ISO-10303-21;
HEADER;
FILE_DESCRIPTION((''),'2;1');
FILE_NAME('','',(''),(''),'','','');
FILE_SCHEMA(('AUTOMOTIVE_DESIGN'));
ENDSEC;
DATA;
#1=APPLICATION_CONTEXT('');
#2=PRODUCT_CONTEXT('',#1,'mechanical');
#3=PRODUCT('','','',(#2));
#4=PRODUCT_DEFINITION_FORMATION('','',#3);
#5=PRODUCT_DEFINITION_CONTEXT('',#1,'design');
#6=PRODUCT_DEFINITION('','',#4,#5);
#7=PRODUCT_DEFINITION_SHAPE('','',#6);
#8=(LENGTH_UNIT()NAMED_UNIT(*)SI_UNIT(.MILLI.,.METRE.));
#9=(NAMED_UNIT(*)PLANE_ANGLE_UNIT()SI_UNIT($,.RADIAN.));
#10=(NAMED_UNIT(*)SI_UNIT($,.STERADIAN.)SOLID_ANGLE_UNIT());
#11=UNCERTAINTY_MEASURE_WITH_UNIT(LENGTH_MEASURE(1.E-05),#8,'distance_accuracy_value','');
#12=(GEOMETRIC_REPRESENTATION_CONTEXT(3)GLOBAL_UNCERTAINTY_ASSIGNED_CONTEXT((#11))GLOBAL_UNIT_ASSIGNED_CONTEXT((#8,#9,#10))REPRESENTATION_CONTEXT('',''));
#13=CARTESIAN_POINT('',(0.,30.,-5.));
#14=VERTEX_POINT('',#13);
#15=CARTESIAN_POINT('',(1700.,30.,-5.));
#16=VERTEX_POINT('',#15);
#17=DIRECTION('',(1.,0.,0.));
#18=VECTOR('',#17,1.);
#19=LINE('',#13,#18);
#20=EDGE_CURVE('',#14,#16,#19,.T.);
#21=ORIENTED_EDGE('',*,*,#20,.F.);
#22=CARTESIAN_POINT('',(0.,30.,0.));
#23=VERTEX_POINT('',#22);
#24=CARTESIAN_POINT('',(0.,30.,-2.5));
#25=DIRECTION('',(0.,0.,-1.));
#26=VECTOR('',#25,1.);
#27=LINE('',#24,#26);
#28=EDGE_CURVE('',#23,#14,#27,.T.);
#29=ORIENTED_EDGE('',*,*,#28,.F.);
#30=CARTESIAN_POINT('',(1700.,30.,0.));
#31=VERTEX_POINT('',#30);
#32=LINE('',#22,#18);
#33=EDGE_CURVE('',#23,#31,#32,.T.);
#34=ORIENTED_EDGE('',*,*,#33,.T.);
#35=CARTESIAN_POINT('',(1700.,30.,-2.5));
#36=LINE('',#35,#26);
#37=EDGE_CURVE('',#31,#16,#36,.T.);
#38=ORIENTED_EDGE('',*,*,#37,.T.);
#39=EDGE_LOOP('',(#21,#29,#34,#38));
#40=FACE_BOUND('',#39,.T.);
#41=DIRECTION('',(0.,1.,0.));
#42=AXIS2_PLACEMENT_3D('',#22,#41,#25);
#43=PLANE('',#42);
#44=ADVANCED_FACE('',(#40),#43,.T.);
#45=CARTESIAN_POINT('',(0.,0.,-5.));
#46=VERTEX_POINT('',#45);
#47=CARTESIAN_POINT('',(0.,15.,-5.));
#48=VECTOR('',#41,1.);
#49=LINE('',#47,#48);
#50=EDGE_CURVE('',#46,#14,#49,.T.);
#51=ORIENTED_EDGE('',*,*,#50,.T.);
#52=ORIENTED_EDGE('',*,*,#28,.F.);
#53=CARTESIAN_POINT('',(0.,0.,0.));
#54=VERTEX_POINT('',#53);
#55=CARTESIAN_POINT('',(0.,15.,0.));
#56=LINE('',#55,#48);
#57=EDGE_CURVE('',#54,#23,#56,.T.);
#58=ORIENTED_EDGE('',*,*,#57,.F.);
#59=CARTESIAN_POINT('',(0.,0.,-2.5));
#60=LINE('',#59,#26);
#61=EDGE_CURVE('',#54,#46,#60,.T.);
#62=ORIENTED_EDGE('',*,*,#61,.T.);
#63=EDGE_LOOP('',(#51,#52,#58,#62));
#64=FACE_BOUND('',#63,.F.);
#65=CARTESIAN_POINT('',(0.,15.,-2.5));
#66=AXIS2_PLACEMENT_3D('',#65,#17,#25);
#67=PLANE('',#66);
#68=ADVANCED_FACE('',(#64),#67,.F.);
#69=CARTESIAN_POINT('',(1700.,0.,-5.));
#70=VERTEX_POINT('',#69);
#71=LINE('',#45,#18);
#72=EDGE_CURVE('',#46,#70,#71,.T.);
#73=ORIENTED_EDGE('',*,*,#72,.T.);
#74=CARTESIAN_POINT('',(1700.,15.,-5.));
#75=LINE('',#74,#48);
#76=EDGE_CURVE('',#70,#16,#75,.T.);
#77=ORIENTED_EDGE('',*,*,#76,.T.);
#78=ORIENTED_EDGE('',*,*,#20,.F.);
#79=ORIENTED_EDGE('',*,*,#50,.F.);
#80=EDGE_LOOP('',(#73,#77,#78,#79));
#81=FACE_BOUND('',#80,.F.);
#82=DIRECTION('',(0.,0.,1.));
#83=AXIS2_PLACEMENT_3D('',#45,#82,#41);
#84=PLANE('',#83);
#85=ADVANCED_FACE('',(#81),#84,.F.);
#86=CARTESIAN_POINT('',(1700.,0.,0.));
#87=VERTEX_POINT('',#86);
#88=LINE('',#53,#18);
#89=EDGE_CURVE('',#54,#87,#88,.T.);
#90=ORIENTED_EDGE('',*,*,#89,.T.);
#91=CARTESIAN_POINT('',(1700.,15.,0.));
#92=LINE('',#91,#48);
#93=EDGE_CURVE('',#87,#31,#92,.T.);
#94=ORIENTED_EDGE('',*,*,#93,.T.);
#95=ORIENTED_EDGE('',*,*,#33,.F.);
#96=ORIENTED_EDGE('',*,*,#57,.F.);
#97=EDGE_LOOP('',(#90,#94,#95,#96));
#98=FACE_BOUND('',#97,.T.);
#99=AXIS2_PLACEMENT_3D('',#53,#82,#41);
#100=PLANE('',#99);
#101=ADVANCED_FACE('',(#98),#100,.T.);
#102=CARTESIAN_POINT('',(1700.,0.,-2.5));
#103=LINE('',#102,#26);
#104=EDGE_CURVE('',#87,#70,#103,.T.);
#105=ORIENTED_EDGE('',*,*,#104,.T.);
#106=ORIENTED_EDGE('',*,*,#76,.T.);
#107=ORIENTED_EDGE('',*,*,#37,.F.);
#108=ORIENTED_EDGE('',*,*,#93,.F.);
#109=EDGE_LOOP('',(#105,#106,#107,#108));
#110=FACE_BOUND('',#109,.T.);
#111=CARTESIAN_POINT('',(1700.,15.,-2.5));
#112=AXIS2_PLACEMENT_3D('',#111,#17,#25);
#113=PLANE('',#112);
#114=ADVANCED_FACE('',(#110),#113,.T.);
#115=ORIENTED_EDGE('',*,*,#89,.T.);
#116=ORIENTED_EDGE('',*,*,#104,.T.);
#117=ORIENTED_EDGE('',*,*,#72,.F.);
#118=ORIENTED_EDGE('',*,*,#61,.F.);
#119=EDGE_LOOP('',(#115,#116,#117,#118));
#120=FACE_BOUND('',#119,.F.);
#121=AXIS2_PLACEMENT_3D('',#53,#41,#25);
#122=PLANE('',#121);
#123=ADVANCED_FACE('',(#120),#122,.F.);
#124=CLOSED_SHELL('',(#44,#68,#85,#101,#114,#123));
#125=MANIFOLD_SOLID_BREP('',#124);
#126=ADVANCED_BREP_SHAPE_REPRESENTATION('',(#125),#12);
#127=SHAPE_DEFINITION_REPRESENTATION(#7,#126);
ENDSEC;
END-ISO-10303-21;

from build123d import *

# Parameters (mm, degrees)
SKETCH_1_W      = 5
SKETCH_1_H      = 30
EXTRUDE_1_DEPTH = 1700


with BuildPart() as part:
    # Эскиз1 → Бобышка-Вытянуть1 (new body)
    with BuildSketch(Plane(origin=(0, 0, 0), x_dir=(0, 0, -1), z_dir=(1, 0, 0))):
        with Locations((2.5, 15)):
            Rectangle(SKETCH_1_W, SKETCH_1_H)
    extrude(amount=EXTRUDE_1_DEPTH)


solid = part.part
